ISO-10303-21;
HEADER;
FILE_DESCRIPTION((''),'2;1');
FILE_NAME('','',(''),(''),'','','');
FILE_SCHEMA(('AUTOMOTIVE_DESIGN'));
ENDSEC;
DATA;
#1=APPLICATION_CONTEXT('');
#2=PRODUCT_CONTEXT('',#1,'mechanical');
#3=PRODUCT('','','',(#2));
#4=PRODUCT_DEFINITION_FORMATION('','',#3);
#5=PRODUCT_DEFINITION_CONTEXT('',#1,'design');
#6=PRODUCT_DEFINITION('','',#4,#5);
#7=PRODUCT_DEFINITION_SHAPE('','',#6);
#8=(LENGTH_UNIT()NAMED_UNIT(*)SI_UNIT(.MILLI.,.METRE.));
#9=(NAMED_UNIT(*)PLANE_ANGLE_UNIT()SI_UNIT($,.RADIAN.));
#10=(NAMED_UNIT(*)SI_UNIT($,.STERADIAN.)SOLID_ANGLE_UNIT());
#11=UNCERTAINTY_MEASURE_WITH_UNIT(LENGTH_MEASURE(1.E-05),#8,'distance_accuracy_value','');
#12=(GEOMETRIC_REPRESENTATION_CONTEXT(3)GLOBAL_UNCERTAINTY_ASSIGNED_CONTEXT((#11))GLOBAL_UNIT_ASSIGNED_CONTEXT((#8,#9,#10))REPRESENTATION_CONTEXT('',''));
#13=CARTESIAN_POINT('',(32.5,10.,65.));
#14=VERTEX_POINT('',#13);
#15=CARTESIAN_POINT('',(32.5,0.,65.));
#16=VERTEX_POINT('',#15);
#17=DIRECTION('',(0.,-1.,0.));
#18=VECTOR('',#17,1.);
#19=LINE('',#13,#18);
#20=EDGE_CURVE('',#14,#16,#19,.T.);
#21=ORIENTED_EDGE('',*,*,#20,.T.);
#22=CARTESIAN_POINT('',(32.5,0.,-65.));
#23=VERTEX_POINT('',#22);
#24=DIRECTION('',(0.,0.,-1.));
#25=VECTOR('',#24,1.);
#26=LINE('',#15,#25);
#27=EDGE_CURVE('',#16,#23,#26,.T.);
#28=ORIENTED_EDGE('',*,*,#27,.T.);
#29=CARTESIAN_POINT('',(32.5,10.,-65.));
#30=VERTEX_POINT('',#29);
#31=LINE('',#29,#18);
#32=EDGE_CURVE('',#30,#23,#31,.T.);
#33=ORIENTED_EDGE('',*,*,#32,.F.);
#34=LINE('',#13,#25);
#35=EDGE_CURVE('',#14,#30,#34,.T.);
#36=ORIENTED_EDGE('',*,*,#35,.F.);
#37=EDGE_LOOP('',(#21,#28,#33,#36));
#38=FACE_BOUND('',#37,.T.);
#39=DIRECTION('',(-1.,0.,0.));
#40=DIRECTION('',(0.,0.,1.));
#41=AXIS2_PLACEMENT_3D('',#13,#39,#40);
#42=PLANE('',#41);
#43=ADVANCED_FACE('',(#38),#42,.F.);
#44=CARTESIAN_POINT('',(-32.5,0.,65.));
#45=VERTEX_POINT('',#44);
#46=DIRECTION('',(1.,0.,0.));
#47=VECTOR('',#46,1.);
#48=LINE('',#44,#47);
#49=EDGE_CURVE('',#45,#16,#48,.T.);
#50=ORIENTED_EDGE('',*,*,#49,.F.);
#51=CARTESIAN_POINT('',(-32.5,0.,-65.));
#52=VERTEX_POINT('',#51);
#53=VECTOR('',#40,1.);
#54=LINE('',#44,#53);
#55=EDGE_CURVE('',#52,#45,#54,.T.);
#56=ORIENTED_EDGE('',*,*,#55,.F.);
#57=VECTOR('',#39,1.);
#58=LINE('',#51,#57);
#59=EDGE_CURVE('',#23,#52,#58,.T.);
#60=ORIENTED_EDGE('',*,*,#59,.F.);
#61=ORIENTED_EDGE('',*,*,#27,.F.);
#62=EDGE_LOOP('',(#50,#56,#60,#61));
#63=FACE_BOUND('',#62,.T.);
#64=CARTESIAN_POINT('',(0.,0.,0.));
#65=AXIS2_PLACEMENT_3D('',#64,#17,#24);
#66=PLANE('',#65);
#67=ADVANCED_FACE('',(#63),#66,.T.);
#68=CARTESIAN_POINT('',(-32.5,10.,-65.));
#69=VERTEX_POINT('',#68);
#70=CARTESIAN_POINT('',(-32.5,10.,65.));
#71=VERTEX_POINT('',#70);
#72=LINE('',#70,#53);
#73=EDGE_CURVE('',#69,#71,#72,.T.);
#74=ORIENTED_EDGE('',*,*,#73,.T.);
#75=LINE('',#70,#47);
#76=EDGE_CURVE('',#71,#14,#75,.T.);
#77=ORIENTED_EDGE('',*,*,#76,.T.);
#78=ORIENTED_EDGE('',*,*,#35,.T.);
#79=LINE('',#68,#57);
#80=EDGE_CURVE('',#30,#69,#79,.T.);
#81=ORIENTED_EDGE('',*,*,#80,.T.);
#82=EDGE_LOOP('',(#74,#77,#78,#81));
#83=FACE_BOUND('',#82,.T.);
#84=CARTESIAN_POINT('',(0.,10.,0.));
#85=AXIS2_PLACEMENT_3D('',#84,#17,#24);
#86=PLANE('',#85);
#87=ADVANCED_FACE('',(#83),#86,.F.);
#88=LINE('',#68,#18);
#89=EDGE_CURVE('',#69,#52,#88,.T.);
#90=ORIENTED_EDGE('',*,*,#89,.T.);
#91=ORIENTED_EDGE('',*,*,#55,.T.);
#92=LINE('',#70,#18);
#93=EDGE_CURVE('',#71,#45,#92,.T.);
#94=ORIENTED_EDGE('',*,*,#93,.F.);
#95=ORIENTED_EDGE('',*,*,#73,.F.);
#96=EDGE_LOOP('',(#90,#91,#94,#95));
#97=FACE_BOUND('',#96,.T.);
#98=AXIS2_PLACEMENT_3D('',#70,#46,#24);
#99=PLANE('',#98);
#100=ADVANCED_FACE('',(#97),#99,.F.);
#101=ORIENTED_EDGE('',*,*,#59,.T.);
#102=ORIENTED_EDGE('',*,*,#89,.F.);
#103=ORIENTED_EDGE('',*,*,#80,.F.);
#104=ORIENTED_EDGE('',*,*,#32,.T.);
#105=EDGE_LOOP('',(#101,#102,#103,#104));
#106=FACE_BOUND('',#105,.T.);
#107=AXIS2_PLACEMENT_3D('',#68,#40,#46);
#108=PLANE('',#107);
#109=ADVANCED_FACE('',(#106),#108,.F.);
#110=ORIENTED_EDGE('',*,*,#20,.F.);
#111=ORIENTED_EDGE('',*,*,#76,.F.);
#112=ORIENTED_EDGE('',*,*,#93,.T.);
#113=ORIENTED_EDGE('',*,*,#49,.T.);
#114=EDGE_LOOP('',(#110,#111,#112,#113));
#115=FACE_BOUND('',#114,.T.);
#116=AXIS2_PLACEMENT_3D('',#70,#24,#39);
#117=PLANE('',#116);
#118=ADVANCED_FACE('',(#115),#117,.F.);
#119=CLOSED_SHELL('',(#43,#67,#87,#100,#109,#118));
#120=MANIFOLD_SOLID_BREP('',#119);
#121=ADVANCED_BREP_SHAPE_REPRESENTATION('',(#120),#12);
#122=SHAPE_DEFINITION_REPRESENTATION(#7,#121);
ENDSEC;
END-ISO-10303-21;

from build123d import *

# Parameters (mm, degrees)
SKETCH_1_W      = 65
SKETCH_1_H      = 130
EXTRUDE_1_DEPTH = 10


with BuildPart() as part:
    # 草图1 → 凸台-拉伸1 (new body)
    with BuildSketch(Plane(origin=(0, 0, 0), x_dir=(1, 0, 0), z_dir=(0, 1, 0))):
        Rectangle(SKETCH_1_W, SKETCH_1_H)
    extrude(amount=EXTRUDE_1_DEPTH)


solid = part.part
